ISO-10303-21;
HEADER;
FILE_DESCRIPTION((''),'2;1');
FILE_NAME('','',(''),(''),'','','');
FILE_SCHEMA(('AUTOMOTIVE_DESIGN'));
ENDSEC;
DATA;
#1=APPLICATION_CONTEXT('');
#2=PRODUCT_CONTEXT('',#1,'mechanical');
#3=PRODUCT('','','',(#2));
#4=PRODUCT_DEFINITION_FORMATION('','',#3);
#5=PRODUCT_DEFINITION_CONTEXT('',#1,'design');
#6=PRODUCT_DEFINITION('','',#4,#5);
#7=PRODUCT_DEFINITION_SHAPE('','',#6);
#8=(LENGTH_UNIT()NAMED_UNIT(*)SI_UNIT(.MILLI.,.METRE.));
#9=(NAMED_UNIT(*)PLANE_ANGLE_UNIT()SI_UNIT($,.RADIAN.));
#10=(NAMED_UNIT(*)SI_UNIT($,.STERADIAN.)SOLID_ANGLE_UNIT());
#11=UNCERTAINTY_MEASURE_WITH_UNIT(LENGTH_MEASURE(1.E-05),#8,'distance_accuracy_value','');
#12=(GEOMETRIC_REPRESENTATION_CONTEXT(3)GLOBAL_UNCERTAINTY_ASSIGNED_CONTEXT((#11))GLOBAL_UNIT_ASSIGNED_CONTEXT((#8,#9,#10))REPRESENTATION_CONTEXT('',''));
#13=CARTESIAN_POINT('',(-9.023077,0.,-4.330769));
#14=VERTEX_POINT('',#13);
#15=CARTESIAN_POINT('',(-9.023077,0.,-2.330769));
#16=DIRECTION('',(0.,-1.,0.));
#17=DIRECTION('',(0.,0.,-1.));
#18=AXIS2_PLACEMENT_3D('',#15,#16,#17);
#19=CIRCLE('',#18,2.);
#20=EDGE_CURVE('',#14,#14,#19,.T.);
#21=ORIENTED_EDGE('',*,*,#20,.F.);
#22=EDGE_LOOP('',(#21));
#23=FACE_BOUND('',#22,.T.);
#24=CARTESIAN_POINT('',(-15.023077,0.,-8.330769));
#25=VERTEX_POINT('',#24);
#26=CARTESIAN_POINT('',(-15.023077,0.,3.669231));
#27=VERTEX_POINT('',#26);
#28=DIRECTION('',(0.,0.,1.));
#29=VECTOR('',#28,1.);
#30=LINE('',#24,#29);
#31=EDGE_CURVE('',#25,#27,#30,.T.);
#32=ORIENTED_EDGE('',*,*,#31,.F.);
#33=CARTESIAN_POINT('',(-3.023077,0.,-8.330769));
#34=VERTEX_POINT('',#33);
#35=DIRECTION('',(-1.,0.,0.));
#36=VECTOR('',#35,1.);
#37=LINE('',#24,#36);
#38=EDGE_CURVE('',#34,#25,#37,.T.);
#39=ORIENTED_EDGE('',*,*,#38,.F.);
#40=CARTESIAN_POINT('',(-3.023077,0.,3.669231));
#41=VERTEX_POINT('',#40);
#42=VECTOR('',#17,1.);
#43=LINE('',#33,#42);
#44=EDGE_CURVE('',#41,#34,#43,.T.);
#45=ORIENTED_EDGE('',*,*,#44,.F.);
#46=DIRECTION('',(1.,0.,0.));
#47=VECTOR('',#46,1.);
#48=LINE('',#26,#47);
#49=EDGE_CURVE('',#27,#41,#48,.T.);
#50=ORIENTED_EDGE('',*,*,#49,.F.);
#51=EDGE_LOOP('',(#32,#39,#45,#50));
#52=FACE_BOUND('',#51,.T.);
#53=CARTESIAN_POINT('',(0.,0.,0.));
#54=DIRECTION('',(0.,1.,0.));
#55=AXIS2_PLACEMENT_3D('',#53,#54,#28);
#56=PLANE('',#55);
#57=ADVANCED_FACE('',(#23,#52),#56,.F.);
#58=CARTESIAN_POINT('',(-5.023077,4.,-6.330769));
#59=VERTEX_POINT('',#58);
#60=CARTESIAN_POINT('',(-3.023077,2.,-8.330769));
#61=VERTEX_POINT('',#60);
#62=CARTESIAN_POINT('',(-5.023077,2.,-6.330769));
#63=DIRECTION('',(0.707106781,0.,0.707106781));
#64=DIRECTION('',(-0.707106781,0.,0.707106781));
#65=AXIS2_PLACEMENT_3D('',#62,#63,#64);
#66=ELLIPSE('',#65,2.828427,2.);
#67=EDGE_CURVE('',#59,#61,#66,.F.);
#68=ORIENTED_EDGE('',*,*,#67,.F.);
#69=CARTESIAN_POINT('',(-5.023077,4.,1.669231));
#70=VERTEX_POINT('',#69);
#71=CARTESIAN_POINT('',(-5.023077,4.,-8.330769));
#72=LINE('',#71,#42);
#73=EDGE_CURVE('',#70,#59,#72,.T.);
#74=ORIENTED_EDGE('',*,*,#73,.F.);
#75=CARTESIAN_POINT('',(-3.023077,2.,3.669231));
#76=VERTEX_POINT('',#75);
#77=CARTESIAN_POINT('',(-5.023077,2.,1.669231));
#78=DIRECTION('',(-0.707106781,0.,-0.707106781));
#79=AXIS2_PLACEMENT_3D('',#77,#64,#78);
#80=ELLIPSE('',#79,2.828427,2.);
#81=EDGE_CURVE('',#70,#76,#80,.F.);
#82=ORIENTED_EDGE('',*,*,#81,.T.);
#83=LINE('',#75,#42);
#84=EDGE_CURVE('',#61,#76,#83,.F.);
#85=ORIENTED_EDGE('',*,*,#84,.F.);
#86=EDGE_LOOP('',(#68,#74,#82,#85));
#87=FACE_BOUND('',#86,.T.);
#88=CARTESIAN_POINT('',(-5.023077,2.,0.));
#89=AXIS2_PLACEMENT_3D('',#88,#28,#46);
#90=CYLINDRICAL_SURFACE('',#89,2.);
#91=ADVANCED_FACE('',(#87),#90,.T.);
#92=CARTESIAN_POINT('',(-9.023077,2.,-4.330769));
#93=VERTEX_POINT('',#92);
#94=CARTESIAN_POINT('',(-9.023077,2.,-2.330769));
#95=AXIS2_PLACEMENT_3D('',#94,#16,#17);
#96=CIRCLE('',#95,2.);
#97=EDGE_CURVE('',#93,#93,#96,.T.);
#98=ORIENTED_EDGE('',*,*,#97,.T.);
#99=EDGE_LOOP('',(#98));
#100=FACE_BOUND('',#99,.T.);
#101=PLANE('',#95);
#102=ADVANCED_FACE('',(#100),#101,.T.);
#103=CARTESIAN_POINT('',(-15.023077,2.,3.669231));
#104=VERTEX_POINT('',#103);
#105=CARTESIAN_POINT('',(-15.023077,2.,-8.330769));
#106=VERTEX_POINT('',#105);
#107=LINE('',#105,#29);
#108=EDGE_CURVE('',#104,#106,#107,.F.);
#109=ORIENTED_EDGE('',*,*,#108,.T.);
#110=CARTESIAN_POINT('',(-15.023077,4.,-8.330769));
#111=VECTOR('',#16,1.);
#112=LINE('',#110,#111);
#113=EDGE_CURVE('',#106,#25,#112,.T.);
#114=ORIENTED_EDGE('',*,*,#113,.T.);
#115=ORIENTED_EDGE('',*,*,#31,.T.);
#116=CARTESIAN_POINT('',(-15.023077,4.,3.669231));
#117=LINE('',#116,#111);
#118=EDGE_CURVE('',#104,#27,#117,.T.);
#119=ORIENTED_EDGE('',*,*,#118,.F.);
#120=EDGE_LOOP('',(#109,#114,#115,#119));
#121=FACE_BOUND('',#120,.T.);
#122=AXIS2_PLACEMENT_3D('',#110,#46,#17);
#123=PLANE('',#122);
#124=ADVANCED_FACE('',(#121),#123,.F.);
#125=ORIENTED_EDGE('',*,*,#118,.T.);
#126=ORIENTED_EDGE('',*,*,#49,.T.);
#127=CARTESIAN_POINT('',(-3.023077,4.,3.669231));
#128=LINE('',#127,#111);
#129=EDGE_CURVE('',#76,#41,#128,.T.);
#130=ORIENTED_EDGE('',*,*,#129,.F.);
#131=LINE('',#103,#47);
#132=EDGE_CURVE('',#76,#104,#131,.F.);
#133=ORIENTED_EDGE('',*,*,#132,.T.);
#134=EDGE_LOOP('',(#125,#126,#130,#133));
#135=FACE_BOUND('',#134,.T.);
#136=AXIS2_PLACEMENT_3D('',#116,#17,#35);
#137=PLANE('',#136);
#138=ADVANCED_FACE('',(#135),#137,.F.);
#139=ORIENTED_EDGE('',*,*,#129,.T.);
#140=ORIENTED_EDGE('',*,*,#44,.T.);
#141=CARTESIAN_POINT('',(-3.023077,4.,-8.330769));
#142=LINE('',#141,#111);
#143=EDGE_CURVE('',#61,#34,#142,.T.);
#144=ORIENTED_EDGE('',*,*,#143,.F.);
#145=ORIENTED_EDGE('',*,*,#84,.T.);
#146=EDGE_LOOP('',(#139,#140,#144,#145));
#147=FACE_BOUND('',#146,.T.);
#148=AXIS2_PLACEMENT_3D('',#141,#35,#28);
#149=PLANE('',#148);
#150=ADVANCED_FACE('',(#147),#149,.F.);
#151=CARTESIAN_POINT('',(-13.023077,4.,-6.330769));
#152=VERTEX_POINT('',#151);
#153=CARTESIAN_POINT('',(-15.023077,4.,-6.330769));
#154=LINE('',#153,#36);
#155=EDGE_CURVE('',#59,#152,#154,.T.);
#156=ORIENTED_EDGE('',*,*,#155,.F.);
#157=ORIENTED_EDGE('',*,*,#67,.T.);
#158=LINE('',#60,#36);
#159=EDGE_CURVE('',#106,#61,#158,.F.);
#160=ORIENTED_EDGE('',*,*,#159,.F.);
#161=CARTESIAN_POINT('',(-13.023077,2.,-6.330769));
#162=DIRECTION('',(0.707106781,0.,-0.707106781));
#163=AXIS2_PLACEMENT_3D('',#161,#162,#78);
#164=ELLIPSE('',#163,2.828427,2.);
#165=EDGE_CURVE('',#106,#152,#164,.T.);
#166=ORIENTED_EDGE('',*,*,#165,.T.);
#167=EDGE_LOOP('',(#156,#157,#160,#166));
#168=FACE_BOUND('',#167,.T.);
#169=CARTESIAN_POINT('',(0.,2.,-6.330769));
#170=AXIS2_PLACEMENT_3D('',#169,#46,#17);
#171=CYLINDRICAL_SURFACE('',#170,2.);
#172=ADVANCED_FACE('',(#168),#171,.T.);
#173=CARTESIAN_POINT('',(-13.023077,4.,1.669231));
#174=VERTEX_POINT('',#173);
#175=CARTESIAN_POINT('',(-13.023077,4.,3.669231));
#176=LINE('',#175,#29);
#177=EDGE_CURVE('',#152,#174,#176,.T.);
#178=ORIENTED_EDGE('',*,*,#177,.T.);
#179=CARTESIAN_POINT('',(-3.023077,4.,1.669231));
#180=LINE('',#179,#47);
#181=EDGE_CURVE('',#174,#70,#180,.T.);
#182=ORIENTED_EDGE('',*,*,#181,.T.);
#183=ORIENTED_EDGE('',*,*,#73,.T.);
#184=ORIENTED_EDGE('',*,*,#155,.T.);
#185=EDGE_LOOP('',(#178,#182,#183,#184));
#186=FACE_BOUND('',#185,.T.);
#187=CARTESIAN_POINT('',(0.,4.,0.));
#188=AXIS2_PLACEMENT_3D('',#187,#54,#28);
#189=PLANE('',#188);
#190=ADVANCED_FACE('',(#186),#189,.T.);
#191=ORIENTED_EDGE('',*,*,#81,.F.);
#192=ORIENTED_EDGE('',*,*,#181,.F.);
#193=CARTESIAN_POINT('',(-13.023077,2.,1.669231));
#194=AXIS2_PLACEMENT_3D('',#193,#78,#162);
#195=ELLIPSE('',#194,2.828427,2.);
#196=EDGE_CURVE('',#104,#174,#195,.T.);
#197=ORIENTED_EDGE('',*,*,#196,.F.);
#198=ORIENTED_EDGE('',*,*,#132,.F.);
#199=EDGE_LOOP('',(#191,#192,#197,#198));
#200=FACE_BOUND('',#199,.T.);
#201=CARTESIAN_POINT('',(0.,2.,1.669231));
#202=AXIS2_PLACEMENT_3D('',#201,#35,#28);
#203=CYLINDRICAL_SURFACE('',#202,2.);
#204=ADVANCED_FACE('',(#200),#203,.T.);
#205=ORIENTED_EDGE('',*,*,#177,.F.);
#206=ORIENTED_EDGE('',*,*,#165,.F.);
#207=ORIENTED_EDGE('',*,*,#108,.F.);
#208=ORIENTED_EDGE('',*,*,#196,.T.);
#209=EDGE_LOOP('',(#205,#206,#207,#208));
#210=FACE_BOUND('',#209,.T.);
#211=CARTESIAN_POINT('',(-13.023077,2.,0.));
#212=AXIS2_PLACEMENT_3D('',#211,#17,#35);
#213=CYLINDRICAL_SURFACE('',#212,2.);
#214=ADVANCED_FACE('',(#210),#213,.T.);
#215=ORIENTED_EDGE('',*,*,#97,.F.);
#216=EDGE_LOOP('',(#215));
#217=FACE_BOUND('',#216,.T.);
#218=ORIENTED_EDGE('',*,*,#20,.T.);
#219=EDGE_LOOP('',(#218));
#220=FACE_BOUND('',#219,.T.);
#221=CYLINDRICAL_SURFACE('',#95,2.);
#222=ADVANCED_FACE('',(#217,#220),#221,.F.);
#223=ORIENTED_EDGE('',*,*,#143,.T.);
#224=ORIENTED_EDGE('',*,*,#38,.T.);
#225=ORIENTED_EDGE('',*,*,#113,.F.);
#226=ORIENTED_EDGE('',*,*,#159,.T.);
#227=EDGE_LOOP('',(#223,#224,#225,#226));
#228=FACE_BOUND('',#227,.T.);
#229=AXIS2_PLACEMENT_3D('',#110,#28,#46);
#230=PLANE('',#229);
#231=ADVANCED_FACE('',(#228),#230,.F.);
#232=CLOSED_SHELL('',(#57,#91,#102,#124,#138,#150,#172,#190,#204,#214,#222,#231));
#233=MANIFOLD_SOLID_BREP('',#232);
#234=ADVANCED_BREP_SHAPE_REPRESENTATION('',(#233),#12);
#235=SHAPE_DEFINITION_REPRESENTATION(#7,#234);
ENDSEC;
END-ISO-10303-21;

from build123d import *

# Parameters (mm, degrees)
SKETCH1_W           = 12
SKETCH1_H           = 12
BOSS_EXTRUDE1_DEPTH = 4
SKETCH2_R           = 2
CUT_EXTRUDE1_DEPTH  = 2
FILLET1_R           = 2


with BuildPart() as part:
    # Sketch1 → Boss-Extrude1 (new body)
    with BuildSketch(Plane(origin=(0, 0, 0), x_dir=(1, 0, 0), z_dir=(0, 1, 0))):
        with Locations((-9.023076923, 2.330769231)):
            Rectangle(SKETCH1_W, SKETCH1_H)
    extrude(amount=BOSS_EXTRUDE1_DEPTH)

    # Sketch2 → Cut-Extrude1 (cut)
    with BuildSketch(Plane.XZ):
        with Locations((-9.023076923, -2.330769231)):
            Circle(SKETCH2_R)
    extrude(amount=-CUT_EXTRUDE1_DEPTH, mode=Mode.SUBTRACT)

    # Fillet1
    fillet1_edges = [part.edges().sort_by_distance(p)[0] for p in [
        (-15.023076923, 4, -2.330769231),
        (-9.023076923, 4, 3.669230769),
        (-3.023076923, 4, -2.330769231),
        (-9.023076923, 4, -8.330769231),
    ]]
    fillet(fillet1_edges, radius=FILLET1_R)


solid = part.part
